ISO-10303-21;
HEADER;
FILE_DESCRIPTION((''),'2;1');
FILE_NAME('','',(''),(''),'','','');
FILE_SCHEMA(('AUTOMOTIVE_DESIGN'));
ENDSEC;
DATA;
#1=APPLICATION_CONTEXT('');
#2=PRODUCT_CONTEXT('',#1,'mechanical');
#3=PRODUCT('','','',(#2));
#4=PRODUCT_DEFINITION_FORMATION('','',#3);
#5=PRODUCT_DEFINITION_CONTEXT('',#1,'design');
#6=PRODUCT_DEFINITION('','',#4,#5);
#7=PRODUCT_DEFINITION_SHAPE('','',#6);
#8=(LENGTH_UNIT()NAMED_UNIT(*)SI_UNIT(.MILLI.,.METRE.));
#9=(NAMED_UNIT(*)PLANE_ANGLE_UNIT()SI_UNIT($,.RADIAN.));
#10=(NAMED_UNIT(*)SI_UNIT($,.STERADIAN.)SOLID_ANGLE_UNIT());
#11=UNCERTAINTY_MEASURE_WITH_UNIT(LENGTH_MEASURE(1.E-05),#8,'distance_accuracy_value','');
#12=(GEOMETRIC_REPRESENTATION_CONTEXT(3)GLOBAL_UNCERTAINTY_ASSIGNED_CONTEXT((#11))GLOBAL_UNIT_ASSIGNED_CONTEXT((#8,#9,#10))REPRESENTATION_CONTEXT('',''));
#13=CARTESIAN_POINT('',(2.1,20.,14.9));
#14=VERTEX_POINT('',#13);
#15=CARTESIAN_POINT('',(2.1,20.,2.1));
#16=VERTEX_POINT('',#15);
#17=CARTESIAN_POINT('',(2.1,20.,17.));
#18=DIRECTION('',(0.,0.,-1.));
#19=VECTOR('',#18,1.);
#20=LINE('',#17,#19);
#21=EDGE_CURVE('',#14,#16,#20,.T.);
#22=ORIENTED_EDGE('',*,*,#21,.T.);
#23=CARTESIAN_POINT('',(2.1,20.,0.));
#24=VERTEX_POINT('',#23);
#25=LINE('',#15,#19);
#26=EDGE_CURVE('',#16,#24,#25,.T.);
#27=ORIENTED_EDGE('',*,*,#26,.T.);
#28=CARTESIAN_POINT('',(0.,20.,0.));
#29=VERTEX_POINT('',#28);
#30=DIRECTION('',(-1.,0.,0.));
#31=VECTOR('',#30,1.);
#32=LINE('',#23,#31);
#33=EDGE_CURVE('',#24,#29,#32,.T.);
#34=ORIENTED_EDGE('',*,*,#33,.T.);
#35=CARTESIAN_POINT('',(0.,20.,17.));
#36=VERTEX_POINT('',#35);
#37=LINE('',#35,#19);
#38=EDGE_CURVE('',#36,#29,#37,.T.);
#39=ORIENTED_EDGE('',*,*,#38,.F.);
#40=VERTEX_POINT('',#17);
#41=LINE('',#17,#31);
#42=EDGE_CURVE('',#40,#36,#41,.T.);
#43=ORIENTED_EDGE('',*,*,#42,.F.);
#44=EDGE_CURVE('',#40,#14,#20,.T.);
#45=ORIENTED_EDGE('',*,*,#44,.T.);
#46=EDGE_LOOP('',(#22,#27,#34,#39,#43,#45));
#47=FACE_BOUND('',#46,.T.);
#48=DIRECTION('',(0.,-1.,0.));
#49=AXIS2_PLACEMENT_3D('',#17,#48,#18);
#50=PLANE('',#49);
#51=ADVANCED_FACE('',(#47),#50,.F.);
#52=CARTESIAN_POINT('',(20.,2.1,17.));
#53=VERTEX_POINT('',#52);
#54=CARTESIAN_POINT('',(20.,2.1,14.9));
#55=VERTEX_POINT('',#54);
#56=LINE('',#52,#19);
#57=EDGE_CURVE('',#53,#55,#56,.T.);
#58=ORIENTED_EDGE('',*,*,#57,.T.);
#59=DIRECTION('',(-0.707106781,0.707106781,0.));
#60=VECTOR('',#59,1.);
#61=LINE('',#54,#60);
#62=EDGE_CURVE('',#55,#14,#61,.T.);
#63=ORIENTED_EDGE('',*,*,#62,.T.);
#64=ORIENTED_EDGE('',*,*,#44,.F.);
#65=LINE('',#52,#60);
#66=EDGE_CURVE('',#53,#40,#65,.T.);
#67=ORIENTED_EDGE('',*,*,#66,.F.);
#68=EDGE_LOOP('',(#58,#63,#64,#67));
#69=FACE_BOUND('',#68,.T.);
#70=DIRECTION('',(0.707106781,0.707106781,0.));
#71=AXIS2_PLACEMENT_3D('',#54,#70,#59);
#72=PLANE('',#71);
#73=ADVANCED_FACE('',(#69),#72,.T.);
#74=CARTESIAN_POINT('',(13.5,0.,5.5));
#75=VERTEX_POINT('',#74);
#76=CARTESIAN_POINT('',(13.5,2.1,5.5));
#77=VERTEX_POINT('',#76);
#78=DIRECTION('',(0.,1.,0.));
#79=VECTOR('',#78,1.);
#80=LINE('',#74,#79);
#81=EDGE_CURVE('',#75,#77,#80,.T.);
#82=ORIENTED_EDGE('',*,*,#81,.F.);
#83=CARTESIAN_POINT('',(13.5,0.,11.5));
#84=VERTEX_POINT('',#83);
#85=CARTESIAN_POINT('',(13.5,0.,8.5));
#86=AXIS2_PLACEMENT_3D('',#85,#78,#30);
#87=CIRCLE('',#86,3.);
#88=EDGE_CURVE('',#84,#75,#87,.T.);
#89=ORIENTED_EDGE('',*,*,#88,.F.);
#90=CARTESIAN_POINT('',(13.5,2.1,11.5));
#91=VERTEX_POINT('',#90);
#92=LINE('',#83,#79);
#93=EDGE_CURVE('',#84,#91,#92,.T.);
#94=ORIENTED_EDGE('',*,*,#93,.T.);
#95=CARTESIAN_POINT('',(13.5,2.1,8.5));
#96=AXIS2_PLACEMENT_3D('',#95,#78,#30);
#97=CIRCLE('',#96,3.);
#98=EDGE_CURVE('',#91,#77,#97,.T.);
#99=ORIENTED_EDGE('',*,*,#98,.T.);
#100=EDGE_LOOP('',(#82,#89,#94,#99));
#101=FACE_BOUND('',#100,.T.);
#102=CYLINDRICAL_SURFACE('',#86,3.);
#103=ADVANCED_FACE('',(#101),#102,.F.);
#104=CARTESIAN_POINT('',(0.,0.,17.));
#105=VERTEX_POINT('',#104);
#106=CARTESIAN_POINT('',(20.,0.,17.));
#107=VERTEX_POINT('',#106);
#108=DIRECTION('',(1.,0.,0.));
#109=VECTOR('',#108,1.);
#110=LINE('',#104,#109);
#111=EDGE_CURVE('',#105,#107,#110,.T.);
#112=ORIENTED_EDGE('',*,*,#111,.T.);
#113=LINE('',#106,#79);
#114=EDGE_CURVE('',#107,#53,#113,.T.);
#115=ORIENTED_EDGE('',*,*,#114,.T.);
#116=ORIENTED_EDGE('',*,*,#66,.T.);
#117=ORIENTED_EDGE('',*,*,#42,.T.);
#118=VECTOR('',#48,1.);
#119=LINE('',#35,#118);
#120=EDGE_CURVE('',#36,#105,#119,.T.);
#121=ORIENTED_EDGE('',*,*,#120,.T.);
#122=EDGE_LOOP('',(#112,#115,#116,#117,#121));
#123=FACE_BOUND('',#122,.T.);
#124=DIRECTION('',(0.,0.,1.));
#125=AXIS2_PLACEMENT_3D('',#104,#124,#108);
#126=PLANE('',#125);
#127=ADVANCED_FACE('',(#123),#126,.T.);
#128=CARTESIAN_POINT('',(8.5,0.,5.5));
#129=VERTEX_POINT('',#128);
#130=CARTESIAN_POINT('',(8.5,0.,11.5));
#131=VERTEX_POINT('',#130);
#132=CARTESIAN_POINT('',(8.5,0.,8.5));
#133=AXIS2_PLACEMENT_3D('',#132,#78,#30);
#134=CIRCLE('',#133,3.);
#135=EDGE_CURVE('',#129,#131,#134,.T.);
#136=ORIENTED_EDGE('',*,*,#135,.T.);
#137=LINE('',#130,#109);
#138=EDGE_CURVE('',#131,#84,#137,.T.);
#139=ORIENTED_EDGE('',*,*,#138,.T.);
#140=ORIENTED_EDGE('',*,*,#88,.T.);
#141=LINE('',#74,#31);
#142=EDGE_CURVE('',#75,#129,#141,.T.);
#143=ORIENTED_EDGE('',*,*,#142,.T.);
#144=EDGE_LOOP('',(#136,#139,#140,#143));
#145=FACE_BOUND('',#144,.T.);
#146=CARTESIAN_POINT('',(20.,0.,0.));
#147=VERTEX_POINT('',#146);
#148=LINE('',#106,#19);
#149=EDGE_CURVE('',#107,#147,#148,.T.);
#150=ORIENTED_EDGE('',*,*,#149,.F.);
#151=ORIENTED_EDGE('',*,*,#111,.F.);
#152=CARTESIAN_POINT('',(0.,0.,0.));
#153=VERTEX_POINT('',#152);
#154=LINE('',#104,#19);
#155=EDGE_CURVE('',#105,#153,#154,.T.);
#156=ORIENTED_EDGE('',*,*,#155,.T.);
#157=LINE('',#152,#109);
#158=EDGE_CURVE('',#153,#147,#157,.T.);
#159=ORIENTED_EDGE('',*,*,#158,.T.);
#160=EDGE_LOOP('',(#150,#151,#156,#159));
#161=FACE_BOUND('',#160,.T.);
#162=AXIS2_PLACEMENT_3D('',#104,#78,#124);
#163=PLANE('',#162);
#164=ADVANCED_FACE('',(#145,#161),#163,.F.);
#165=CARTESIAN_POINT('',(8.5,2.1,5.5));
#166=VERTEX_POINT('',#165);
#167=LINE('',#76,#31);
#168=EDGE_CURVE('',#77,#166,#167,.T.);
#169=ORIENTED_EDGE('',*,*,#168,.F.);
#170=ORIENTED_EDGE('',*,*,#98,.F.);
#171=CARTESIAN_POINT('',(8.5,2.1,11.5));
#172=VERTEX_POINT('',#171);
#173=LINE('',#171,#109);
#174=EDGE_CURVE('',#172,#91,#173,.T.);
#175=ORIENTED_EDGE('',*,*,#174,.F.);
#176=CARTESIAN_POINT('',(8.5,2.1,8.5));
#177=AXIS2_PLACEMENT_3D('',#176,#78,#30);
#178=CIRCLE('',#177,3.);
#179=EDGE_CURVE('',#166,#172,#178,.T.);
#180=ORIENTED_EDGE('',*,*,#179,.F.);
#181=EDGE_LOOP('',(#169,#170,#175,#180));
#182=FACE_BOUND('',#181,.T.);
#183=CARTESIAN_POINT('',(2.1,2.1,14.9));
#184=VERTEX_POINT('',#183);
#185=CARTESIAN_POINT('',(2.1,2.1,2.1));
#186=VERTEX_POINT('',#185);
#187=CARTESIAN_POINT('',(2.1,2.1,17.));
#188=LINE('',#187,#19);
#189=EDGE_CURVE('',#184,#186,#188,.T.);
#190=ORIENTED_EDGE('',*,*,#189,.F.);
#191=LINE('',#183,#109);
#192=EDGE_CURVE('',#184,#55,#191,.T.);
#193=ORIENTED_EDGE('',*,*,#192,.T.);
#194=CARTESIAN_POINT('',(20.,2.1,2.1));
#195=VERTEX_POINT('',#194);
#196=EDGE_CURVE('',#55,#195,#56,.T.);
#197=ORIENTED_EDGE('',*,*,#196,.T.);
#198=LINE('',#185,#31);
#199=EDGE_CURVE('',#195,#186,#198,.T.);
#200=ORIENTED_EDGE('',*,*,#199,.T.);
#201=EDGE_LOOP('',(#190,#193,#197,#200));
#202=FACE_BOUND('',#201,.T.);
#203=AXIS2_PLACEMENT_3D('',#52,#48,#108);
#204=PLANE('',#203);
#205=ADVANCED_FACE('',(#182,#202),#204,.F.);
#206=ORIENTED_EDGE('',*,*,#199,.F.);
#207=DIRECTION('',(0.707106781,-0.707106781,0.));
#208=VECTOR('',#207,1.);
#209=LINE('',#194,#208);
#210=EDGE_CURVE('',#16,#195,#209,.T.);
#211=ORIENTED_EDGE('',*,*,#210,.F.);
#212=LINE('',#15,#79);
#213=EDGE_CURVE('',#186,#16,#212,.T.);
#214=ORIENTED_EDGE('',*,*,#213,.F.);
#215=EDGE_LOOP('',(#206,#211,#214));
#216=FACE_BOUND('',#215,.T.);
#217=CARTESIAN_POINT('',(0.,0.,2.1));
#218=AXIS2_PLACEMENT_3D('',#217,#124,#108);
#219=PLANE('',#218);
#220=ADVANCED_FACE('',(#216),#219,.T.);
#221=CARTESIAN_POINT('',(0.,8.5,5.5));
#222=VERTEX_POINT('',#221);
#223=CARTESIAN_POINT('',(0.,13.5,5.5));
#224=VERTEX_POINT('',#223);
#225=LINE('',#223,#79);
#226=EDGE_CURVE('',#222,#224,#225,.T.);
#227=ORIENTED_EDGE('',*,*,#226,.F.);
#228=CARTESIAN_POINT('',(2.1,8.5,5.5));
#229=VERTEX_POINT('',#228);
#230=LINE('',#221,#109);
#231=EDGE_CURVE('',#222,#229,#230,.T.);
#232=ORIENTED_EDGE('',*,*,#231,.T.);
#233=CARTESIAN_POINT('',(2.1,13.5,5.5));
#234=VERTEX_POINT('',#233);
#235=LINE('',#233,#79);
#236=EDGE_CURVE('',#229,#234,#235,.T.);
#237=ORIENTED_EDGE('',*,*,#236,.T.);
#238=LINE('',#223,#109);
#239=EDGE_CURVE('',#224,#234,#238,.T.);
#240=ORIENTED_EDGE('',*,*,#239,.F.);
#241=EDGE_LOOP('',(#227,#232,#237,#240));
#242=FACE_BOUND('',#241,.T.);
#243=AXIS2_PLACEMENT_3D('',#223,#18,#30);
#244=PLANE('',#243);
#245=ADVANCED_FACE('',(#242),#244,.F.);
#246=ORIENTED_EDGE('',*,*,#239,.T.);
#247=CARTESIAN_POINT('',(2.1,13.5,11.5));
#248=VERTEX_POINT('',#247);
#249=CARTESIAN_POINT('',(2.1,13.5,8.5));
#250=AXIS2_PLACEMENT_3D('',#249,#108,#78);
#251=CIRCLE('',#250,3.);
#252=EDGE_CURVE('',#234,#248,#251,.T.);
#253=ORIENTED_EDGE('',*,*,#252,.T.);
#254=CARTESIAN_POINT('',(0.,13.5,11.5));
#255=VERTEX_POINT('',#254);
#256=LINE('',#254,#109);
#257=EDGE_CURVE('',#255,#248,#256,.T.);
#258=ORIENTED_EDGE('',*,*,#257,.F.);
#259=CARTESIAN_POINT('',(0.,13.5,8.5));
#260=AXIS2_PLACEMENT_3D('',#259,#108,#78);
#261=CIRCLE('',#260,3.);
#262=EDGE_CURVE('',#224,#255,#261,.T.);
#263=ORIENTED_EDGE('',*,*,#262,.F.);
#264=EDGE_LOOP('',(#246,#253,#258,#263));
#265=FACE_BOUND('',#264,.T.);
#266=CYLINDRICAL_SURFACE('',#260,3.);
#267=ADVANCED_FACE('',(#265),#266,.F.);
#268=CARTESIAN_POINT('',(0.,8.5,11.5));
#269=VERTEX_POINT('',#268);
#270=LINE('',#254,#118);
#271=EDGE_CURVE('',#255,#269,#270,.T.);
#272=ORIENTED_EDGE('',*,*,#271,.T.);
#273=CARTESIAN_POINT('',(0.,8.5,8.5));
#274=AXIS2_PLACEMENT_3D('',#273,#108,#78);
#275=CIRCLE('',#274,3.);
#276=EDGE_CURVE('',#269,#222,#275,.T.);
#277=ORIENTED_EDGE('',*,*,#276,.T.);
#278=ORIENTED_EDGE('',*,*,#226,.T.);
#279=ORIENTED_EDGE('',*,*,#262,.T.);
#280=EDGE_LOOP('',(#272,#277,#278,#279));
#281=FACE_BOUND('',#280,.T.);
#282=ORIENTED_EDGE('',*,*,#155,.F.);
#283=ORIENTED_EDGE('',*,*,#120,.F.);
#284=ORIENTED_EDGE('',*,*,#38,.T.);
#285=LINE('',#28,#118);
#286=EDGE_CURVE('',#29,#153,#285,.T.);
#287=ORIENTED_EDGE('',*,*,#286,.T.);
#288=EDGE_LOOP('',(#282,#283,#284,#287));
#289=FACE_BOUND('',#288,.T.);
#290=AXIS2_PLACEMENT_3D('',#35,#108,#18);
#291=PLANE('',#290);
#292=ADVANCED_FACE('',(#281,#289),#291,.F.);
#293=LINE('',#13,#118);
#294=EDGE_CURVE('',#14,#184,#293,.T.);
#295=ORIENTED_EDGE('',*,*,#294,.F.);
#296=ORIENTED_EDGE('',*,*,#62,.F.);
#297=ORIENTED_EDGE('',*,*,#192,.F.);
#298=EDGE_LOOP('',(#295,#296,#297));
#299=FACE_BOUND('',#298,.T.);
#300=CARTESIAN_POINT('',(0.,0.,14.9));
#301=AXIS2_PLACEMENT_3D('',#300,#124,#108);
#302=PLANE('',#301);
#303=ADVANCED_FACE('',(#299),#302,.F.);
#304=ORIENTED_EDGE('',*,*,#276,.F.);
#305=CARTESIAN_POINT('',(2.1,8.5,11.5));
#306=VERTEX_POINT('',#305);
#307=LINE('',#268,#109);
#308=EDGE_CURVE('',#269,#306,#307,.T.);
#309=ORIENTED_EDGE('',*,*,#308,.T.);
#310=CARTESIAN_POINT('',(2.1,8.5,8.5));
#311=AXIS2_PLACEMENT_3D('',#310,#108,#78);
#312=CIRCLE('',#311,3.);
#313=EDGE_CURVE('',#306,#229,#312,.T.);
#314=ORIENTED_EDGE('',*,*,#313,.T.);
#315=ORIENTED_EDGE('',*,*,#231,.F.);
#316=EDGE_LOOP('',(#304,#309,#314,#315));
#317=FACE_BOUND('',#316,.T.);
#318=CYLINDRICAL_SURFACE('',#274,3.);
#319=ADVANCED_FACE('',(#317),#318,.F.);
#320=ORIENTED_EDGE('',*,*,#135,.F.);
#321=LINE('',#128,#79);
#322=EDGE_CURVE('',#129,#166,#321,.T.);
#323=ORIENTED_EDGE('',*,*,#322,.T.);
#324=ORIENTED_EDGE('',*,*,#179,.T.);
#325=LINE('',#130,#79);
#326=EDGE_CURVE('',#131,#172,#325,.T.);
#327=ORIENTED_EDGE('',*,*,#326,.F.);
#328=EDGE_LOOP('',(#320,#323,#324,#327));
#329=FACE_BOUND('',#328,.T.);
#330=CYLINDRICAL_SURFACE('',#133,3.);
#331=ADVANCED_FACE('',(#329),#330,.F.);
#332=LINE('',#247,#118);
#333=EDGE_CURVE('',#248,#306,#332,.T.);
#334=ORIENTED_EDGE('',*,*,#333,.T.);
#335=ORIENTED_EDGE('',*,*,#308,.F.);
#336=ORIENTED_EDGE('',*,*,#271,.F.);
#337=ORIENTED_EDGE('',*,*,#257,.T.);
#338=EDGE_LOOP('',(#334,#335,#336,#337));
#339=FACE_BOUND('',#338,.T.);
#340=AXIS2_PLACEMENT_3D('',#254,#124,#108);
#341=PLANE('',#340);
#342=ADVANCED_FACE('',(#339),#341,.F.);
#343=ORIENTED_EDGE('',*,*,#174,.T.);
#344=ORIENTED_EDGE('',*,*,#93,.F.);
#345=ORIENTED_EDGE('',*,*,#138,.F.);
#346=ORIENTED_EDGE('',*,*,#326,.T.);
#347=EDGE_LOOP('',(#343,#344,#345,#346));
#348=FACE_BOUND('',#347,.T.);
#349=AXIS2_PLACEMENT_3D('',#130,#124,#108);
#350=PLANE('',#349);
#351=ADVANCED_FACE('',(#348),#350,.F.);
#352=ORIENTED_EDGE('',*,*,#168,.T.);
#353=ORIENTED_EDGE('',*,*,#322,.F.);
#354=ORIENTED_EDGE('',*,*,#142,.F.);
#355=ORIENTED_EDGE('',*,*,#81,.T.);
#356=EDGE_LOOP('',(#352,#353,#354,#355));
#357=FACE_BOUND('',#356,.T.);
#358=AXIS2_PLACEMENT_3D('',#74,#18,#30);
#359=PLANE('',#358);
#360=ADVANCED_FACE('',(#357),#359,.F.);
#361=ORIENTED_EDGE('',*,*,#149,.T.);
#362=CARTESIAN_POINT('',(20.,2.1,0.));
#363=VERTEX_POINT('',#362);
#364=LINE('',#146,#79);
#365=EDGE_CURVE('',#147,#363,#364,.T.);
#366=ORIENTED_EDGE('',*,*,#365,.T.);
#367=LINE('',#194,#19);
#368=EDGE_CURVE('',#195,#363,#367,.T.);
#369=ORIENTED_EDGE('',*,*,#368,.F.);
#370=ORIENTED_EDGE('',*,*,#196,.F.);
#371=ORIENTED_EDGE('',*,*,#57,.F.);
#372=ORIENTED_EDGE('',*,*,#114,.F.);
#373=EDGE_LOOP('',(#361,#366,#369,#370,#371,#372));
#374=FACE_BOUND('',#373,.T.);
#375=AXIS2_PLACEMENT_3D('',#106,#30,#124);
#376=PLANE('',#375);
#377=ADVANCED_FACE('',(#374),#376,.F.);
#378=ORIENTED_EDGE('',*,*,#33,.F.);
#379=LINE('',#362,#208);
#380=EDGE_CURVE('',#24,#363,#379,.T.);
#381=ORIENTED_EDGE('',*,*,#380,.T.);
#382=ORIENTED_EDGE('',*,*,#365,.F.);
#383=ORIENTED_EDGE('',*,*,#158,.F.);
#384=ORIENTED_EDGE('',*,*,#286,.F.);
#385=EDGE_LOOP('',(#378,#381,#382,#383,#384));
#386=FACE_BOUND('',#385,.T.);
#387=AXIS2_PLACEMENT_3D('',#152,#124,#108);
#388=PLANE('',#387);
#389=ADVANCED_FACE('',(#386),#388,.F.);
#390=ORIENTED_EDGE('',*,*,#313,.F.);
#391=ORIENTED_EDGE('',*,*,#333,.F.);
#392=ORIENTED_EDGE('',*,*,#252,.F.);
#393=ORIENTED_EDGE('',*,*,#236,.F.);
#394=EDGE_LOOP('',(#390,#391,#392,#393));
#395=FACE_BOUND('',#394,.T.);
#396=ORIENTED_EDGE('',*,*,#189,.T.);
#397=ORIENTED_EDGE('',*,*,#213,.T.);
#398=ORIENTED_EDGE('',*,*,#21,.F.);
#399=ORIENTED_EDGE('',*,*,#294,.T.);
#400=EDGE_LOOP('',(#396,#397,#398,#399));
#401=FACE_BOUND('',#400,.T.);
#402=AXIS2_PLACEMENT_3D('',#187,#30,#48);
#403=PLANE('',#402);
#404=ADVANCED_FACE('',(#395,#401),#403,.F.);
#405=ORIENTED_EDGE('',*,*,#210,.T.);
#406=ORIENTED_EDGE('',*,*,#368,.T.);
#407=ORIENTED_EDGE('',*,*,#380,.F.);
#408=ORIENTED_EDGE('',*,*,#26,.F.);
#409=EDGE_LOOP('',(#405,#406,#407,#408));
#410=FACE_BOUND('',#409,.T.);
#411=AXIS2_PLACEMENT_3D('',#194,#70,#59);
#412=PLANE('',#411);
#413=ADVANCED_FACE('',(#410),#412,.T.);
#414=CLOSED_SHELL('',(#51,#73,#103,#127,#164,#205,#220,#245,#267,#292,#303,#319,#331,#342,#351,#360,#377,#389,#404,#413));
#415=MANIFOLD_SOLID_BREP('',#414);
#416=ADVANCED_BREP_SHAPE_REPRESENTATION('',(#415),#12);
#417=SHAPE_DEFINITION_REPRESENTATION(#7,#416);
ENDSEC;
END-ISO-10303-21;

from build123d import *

# Parameters (mm, degrees)
EXTRUDE_1_DEPTH     = 17
EXTRUDE_2_DEPTH     = 2.1
EXTRUDE_3_DEPTH     = 2.1
CUT_EXTRUDE_1_DEPTH = 32.771213386
CUT_EXTRUDE_2_DEPTH = 32.771213386


with BuildPart() as part:
    # 草图1 → 凸台-拉伸1 (new body)
    with BuildSketch(Plane.XY):
        Polygon((0, 0), (20, 0), (20, 2.1), (2.1, 2.1), (2.1, 20), (0, 20), align=None)
    extrude(amount=EXTRUDE_1_DEPTH)

    # 草图2 → 凸台-拉伸2 (add)
    with BuildSketch(Plane(origin=(0, 0, 0), x_dir=(-1, 0, 0), z_dir=(0, 0, -1))):
        Polygon((-2.1, 20), (-2.1, 2.1), (-20, 2.1), align=None)
    extrude(amount=-EXTRUDE_2_DEPTH)

    # 草图3 → 凸台-拉伸3 (add)
    with BuildSketch(Plane.XY.offset(17)):
        Polygon((2.1, 20), (2.1, 2.1), (20, 2.1), align=None)
    extrude(amount=-EXTRUDE_3_DEPTH)

    # 草图4 → 切除-拉伸1 (cut, through all)
    with BuildSketch(Plane(origin=(2.1, 0, 0), x_dir=(0, 0, -1), z_dir=(1, 0, 0))):
        with BuildLine():
            Line((-11.5, 13.5), (-11.5, 8.5))
            ThreePointArc((-11.5, 8.5), (-8.5, 5.5), (-5.5, 8.5))
            Line((-5.5, 8.5), (-5.5, 13.5))
            ThreePointArc((-5.5, 13.5), (-8.5, 16.5), (-11.5, 13.5))
        make_face()
    extrude(amount=-CUT_EXTRUDE_1_DEPTH, mode=Mode.SUBTRACT)

    # 草图5 → 切除-拉伸2 (cut, through all)
    with BuildSketch(Plane(origin=(0, 2.1, 0), x_dir=(1, 0, 0), z_dir=(0, 1, 0))):
        with BuildLine():
            Line((8.5, -11.5), (13.5, -11.5))
            ThreePointArc((13.5, -11.5), (16.5, -8.5), (13.5, -5.5))
            Line((13.5, -5.5), (8.5, -5.5))
            ThreePointArc((8.5, -5.5), (5.5, -8.5), (8.5, -11.5))
        make_face()
    extrude(amount=-CUT_EXTRUDE_2_DEPTH, mode=Mode.SUBTRACT)


solid = part.part
